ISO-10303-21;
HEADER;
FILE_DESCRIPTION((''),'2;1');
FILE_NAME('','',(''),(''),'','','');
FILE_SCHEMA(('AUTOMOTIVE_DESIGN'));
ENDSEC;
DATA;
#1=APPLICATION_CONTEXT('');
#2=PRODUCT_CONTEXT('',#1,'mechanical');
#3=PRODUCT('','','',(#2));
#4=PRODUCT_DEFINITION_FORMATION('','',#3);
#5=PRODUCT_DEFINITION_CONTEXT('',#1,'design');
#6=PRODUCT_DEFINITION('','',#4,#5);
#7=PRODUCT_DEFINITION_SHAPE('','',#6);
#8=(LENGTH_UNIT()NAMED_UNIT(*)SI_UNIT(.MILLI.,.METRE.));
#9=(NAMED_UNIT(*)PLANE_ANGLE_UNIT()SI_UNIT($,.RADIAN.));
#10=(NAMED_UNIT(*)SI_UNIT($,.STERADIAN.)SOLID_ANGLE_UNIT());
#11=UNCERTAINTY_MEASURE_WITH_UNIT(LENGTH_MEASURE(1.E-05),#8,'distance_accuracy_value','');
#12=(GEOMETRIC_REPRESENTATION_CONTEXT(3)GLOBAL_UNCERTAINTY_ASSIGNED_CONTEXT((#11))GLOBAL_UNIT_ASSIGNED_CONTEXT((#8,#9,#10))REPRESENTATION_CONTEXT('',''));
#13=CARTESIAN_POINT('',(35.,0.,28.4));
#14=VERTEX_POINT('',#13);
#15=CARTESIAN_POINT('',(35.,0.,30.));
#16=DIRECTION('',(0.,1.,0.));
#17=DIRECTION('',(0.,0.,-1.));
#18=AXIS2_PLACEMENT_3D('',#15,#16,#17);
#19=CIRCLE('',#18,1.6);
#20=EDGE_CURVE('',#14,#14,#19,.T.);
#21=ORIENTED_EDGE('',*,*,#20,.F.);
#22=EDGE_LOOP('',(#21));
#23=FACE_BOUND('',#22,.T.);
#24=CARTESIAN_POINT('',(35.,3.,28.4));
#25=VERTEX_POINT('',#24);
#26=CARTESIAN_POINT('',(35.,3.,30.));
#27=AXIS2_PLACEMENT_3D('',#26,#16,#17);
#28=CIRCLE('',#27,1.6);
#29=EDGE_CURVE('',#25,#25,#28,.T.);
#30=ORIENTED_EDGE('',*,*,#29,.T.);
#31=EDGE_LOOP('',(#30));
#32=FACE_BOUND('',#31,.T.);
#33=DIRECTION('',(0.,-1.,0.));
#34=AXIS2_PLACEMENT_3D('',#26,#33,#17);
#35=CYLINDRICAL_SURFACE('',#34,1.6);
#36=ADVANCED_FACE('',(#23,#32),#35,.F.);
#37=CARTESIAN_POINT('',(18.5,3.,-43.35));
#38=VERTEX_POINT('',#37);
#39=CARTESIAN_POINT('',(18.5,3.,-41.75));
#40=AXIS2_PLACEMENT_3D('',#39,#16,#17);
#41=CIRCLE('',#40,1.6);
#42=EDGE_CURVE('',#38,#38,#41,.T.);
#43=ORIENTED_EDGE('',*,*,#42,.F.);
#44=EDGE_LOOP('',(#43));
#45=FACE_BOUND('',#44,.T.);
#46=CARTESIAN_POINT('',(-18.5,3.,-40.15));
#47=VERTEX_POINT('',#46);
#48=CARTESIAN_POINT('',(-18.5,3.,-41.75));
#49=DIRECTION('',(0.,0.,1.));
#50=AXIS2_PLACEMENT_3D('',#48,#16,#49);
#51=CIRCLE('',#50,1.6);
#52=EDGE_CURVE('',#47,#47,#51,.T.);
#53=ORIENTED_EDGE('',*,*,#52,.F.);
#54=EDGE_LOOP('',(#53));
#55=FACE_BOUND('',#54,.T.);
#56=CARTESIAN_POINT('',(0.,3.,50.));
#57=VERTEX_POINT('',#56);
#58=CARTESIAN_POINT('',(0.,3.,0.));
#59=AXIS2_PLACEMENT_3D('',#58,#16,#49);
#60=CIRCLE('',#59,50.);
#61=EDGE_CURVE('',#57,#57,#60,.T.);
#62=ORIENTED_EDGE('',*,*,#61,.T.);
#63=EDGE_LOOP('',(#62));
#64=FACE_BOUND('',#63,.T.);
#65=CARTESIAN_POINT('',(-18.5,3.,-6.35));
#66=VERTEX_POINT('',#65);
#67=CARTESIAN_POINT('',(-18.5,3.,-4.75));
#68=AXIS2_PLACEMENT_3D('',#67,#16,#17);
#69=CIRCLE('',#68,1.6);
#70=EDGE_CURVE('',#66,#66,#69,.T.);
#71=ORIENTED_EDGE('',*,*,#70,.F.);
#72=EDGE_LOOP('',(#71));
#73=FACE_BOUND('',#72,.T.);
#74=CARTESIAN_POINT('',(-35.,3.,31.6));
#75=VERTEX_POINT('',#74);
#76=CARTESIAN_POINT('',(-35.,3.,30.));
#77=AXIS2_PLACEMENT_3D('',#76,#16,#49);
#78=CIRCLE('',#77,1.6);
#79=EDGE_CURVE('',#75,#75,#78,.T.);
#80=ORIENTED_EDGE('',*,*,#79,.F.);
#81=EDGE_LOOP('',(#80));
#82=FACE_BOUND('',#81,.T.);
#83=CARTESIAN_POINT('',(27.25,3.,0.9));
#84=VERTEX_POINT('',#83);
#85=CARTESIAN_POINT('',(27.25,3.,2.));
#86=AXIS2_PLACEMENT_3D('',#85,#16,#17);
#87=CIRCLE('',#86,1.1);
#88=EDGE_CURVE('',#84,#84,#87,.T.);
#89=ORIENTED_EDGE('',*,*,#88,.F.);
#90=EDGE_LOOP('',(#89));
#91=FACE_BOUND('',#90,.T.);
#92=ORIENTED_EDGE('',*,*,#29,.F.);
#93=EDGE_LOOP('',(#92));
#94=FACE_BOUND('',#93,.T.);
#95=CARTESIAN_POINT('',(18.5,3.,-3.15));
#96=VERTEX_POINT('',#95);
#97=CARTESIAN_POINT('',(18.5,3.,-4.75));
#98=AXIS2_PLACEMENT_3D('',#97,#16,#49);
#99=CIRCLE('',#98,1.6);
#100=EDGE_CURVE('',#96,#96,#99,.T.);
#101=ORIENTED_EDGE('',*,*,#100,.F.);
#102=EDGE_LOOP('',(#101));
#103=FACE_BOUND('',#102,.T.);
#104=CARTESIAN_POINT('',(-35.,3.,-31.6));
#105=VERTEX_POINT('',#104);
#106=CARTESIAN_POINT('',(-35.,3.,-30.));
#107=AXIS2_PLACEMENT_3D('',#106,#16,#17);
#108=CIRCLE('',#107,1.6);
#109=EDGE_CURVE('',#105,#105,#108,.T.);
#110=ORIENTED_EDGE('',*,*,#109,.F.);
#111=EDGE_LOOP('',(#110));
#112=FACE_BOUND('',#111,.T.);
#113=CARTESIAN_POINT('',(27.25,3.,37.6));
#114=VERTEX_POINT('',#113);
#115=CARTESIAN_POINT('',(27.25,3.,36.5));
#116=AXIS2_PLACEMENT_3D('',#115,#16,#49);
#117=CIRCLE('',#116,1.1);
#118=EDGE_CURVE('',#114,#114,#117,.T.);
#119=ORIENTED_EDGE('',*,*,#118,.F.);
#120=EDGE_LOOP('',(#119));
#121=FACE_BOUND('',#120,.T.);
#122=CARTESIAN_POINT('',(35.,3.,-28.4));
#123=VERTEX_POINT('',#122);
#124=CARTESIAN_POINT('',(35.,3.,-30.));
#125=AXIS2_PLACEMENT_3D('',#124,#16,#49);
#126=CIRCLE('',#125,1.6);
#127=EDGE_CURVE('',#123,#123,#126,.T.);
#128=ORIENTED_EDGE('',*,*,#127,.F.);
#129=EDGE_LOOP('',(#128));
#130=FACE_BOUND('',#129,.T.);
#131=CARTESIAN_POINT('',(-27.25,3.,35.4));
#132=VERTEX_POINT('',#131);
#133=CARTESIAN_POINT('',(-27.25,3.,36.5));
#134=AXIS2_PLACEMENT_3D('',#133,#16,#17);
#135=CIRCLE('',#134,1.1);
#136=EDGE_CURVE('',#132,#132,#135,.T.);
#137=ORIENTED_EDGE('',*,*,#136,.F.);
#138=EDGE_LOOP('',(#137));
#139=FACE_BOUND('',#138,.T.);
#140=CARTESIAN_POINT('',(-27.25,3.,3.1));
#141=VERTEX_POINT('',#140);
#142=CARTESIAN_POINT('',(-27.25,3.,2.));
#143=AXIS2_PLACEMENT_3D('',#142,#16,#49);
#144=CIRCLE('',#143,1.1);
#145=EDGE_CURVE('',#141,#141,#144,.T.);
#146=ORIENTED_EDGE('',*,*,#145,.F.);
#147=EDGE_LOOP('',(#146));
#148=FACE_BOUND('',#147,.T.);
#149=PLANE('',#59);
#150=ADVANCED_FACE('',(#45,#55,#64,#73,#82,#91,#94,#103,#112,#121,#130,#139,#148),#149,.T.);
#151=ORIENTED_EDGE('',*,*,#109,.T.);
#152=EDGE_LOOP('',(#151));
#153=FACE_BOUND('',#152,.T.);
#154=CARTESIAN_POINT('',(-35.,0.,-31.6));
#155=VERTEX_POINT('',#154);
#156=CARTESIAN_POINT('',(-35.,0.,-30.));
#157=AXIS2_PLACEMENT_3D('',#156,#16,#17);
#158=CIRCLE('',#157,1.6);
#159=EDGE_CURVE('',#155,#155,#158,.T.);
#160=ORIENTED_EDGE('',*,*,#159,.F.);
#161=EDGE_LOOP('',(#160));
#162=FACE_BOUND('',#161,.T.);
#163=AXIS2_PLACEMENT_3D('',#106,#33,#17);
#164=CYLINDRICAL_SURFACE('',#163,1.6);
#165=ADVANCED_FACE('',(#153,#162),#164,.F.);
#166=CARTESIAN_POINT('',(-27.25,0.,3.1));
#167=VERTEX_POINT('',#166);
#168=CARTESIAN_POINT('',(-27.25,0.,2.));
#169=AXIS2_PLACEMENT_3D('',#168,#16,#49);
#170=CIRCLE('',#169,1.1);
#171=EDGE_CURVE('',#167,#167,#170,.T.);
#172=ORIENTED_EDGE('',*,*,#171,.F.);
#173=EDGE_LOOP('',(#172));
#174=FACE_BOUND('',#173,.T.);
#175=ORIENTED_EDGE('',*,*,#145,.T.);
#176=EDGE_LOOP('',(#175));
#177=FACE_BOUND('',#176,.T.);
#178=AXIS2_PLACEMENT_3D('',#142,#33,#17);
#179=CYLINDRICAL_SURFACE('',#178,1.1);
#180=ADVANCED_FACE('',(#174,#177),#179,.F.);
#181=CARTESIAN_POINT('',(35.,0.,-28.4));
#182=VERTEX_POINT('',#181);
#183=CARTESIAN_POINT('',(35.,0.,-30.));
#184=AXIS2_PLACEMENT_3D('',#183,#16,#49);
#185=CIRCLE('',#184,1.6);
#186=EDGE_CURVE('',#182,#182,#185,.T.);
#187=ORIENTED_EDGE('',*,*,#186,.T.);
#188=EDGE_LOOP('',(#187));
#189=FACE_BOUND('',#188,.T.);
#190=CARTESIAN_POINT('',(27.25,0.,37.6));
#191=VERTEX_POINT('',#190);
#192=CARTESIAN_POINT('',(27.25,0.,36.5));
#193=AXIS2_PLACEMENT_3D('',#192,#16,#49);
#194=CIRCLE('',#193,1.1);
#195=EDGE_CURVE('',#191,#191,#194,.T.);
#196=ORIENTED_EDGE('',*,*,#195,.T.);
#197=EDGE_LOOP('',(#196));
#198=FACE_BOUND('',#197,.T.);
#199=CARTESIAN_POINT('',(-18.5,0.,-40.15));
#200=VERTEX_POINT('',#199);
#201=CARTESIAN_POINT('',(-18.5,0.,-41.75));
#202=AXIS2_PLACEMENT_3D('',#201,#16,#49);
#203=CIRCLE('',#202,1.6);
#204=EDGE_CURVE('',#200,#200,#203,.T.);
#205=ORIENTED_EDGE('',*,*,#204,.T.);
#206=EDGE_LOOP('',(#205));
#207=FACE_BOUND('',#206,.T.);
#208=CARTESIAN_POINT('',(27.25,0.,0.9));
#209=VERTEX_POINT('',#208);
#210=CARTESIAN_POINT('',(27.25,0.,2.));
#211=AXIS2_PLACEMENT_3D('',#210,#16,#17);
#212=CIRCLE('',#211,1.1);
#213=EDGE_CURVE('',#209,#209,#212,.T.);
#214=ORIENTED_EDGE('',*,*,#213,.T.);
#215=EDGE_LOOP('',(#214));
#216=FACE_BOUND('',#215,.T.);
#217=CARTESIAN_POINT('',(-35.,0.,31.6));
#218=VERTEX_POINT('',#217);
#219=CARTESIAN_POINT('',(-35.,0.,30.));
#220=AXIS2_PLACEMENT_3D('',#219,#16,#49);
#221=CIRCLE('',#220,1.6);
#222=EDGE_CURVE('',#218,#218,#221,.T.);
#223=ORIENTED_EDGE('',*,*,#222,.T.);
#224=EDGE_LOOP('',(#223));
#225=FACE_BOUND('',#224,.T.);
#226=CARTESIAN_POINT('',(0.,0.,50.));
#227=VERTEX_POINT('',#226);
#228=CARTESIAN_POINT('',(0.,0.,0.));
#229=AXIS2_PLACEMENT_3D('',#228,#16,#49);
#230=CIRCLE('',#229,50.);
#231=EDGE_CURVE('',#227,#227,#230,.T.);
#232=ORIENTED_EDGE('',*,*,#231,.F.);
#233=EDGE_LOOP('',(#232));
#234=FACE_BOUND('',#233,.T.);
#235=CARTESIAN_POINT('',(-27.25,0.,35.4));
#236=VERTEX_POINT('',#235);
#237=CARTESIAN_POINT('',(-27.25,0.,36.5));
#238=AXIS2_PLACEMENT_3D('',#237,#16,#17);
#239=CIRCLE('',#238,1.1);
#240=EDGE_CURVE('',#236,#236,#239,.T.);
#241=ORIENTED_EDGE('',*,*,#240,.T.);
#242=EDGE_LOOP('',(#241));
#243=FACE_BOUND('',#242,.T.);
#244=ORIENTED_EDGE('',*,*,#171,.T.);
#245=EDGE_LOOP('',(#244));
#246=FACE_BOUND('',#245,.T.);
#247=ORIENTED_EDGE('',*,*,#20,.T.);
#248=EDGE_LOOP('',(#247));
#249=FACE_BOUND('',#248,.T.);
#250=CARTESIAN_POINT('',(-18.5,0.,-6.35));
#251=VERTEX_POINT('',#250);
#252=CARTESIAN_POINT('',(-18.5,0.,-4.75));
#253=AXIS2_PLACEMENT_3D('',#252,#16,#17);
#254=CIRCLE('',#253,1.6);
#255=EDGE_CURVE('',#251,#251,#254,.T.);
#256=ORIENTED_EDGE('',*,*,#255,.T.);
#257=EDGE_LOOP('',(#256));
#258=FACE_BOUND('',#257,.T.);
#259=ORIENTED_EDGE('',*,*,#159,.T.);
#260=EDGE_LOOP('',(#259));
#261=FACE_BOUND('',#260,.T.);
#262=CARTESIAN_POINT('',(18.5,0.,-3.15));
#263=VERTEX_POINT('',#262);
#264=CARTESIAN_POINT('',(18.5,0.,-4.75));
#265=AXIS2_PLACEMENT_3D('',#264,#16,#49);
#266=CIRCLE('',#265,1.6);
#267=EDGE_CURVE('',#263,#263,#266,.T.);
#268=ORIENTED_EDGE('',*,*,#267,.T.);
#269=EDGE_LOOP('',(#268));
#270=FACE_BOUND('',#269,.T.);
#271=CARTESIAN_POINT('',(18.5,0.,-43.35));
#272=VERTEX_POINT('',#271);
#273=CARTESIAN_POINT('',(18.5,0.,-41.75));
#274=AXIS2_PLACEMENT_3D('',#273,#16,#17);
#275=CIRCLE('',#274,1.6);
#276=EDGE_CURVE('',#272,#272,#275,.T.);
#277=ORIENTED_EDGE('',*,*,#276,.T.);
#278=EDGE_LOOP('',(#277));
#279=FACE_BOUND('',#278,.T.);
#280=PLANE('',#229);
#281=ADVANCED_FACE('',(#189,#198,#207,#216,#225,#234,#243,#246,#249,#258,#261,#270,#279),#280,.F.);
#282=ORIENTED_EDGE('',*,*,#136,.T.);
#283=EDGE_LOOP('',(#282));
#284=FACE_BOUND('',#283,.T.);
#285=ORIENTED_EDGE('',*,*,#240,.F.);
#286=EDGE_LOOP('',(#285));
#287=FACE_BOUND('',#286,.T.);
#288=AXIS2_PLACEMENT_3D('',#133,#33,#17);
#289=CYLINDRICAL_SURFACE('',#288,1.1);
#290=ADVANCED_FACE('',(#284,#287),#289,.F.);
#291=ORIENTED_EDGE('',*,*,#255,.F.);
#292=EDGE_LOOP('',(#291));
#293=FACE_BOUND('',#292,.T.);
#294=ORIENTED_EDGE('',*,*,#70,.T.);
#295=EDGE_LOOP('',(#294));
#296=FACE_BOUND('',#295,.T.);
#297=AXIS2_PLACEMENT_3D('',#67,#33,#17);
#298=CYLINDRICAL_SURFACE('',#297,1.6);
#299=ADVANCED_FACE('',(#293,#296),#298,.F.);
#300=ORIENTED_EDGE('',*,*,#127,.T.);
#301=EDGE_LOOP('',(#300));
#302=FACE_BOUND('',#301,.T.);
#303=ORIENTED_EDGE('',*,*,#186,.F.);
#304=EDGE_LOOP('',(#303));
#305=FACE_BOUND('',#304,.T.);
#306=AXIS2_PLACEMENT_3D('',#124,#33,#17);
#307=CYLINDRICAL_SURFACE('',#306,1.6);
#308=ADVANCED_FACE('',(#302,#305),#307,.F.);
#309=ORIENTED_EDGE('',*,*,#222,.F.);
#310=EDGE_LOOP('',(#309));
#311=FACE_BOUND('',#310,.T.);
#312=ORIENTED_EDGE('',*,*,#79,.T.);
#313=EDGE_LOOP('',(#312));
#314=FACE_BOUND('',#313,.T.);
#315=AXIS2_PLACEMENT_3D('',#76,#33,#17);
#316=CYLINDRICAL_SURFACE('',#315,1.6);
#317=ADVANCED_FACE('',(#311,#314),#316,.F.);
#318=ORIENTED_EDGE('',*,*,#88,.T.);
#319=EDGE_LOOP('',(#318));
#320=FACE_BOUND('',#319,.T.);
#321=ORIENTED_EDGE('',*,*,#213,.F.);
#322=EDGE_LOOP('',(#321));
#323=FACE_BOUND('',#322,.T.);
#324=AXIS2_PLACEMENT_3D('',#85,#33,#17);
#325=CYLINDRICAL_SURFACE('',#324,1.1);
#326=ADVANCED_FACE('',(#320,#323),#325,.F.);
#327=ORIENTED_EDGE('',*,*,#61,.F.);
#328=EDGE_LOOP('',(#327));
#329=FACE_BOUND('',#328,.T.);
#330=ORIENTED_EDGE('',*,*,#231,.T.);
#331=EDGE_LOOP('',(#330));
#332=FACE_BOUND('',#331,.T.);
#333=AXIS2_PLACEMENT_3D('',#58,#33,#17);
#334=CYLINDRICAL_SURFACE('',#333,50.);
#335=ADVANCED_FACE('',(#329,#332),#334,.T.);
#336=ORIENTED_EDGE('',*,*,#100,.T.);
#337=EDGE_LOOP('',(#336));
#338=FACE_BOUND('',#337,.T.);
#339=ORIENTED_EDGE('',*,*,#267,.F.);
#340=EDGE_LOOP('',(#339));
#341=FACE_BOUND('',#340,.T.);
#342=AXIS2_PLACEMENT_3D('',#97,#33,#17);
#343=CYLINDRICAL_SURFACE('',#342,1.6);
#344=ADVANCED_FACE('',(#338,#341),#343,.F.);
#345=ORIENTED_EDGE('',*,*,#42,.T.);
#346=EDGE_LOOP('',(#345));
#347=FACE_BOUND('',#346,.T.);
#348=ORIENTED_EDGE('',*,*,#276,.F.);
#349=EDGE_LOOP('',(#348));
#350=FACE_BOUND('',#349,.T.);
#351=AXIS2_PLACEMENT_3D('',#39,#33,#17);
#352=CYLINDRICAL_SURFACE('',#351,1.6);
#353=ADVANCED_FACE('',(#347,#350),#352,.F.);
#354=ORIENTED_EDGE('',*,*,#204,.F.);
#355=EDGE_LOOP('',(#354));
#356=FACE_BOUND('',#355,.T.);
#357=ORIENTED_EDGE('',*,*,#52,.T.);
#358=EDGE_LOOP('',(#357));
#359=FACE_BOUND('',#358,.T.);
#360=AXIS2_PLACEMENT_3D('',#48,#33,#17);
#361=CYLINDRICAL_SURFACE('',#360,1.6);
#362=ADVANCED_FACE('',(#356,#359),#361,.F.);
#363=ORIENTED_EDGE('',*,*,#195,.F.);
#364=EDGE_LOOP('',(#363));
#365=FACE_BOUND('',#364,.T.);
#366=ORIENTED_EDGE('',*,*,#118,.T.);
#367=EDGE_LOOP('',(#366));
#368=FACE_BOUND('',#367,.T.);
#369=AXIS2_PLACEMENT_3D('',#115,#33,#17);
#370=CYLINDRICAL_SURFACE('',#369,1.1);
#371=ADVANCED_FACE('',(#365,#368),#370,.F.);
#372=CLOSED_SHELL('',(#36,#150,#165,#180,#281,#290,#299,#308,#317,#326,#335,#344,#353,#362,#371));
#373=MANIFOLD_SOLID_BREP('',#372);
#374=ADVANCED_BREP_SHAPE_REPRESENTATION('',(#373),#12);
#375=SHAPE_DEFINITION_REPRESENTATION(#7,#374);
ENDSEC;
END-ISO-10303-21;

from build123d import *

# Parameters (mm, degrees)
SKETCH1_R           = 50
SKETCH1_R_2         = 1.1
SKETCH1_R_3         = 1.6
BOSS_EXTRUDE1_DEPTH = 3


with BuildPart() as part:
    # Sketch1 → Boss-Extrude1 (new body)
    with BuildSketch(Plane(origin=(0, 0, 0), x_dir=(1, 0, 0), z_dir=(0, 1, 0))):
        Circle(SKETCH1_R)
        with Locations((-27.25, -2)):
            Circle(SKETCH1_R_2, mode=Mode.SUBTRACT)
        with Locations((-27.25, -36.5)):
            Circle(SKETCH1_R_2, mode=Mode.SUBTRACT)
        with Locations((27.25, -2)):
            Circle(SKETCH1_R_2, mode=Mode.SUBTRACT)
        with Locations((27.25, -36.5)):
            Circle(SKETCH1_R_2, mode=Mode.SUBTRACT)
        with Locations((-18.5, 41.75)):
            Circle(SKETCH1_R_3, mode=Mode.SUBTRACT)
        with Locations((18.5, 41.75)):
            Circle(SKETCH1_R_3, mode=Mode.SUBTRACT)
        with Locations((18.5, 4.75)):
            Circle(SKETCH1_R_3, mode=Mode.SUBTRACT)
        with Locations((-18.5, 4.75)):
            Circle(SKETCH1_R_3, mode=Mode.SUBTRACT)
        with Locations((-35, -30)):
            Circle(SKETCH1_R_3, mode=Mode.SUBTRACT)
        with Locations((-35, 30)):
            Circle(SKETCH1_R_3, mode=Mode.SUBTRACT)
        with Locations((35, -30)):
            Circle(SKETCH1_R_3, mode=Mode.SUBTRACT)
        with Locations((35, 30)):
            Circle(SKETCH1_R_3, mode=Mode.SUBTRACT)
    extrude(amount=BOSS_EXTRUDE1_DEPTH)


solid = part.part
